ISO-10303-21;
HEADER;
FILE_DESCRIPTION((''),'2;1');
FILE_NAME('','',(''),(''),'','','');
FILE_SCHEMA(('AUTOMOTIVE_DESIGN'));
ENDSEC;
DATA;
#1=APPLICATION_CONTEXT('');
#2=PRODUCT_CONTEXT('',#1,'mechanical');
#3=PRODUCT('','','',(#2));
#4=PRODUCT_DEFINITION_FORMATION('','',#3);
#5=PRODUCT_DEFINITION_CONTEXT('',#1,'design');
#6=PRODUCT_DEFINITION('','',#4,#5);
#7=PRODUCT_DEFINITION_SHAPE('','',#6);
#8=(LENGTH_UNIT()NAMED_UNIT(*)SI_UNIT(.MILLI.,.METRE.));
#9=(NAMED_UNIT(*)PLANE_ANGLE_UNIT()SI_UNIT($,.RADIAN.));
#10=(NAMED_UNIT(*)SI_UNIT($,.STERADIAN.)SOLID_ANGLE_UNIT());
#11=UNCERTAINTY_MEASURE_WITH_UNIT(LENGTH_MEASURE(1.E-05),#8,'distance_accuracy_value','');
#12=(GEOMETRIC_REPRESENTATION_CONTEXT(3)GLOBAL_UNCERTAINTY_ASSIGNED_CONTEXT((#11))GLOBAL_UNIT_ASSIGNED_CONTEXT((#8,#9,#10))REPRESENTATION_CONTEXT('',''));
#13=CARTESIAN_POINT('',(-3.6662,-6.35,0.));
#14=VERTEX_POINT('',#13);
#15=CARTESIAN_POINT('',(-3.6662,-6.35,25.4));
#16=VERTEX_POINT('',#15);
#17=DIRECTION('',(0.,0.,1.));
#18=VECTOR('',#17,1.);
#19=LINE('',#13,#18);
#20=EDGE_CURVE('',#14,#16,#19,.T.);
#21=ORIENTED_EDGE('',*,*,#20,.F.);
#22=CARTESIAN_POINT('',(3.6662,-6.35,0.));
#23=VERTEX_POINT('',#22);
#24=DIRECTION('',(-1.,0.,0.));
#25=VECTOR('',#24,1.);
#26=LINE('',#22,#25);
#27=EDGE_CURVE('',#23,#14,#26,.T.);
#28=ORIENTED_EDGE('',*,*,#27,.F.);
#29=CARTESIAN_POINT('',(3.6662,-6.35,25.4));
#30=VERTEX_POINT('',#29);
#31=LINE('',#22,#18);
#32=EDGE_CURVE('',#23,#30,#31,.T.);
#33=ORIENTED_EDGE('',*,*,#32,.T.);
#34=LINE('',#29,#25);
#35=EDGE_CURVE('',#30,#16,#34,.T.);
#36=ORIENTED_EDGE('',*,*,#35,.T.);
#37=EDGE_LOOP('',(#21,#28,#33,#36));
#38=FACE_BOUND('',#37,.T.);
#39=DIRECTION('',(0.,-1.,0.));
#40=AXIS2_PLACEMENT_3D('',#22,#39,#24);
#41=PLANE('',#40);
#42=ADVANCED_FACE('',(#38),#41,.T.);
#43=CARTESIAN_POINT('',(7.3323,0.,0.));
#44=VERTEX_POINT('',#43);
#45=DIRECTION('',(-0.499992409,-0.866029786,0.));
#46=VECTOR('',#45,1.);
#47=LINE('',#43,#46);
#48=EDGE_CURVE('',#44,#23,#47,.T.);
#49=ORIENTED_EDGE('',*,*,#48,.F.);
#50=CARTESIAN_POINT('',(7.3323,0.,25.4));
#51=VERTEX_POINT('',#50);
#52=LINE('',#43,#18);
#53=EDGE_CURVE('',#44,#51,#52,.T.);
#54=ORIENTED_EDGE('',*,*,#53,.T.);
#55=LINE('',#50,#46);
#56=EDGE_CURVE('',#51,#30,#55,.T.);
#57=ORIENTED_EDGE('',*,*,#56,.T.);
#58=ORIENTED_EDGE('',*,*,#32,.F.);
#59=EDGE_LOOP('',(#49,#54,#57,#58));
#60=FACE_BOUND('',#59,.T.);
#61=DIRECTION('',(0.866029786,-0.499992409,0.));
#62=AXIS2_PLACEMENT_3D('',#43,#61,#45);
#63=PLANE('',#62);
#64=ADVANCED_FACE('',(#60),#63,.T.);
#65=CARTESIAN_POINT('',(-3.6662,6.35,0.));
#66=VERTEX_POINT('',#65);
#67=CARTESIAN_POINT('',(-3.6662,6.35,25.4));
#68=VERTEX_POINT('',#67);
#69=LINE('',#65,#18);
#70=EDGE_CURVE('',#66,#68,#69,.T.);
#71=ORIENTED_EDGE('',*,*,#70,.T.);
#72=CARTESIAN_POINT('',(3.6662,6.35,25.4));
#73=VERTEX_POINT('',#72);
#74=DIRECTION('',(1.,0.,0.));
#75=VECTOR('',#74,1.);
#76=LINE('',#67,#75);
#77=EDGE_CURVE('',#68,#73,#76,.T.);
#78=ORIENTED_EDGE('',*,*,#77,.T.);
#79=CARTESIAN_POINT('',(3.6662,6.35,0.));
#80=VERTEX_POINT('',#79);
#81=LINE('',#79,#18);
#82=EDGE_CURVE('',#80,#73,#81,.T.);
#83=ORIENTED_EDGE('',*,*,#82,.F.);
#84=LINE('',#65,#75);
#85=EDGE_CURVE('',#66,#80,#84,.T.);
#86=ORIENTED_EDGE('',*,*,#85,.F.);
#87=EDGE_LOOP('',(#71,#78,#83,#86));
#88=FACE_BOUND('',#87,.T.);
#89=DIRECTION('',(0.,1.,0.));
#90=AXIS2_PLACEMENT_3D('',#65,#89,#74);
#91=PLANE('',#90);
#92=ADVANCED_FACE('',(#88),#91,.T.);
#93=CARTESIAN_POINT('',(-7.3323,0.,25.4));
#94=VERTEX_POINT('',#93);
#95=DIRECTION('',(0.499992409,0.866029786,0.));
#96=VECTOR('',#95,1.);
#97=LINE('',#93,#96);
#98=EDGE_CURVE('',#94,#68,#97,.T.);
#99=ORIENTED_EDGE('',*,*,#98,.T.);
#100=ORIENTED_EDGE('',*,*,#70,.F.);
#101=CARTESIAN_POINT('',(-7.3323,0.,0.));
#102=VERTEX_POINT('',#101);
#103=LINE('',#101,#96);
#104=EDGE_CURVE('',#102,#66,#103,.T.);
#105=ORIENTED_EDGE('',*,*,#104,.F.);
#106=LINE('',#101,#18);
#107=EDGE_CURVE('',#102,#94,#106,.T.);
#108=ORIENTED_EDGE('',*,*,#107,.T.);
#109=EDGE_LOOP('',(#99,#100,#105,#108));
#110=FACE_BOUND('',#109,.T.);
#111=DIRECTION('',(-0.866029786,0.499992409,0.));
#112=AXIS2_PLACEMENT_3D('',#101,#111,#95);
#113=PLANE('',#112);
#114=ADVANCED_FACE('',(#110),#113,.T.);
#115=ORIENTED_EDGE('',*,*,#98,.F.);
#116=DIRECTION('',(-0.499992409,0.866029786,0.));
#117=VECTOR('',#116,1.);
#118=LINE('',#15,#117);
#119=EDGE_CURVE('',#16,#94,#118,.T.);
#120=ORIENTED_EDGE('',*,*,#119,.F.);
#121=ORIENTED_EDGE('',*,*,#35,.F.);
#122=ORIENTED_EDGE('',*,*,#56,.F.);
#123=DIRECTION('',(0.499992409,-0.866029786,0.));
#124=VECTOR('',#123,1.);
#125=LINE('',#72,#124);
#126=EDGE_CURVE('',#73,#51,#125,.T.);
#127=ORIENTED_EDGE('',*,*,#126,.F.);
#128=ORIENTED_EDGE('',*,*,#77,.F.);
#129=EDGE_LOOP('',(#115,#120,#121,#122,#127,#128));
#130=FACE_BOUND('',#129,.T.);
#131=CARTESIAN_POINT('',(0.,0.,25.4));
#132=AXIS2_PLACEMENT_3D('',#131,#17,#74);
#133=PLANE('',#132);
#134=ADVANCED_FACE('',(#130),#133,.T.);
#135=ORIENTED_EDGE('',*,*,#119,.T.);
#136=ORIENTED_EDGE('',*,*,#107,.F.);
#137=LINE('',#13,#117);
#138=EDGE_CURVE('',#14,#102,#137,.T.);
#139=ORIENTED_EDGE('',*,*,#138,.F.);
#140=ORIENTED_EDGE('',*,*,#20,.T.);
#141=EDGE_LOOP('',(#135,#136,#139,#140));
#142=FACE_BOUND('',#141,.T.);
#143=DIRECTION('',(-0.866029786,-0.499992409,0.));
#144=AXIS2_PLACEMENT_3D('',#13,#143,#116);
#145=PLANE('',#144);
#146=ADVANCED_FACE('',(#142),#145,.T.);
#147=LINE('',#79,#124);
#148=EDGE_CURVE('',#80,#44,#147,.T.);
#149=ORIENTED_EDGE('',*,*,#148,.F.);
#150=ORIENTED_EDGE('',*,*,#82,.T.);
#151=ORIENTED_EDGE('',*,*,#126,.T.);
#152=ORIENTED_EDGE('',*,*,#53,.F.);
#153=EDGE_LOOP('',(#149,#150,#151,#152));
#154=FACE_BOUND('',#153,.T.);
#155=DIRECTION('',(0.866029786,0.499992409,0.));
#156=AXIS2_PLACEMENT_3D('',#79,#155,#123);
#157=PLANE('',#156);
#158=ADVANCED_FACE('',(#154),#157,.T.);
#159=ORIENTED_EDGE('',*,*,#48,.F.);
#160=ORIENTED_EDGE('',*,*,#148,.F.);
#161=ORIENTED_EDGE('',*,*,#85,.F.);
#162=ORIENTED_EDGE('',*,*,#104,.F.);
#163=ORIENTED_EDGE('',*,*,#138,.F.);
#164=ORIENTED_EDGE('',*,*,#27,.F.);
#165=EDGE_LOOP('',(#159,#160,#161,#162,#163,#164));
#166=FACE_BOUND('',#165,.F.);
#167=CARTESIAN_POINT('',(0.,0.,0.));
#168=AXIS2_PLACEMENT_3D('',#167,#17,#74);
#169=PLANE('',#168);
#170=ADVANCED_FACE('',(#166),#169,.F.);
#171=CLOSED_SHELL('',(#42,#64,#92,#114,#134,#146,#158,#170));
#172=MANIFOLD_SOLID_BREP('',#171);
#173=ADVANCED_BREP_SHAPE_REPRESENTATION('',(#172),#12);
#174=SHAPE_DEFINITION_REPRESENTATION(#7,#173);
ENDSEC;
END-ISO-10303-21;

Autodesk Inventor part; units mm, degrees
ref_plane "YZ Plane" through (0, 0, 0) normal (1, 0, 0) x (0, 1, 0)
ref_plane "XZ Plane" through (0, 0, 0) normal (0, 1, 0) x (-1, 0, 0)
ref_plane "XY Plane" through (0, 0, 0) normal (0, 0, 1) x (1, 0, 0)
sketch "Sketch1" plane through (0, 0, 0) normal (0, 0, 1) x (1, 0, 0)
  line L0 (3.6662, 6.35) -> (7.3323, 0)
  line L1 (7.3323, 0) -> (3.6662, -6.35)
  line L2 (3.6662, -6.35) -> (-3.6662, -6.35)
  line L3 (-3.6662, -6.35) -> (-7.3323, 0)
  line L4 (-7.3323, 0) -> (-3.6662, 6.35)
  line L5 (-3.6662, 6.35) -> (3.6662, 6.35)
  point P0 (0, 0)
  point P1 (0, 0)
  dimension "d0" = 12.7
extrude "Extrusion1" add sketch "Sketch1" along normal blind 25.4
properties part number "hex rod 1 inch" material "Steel, Alloy"
